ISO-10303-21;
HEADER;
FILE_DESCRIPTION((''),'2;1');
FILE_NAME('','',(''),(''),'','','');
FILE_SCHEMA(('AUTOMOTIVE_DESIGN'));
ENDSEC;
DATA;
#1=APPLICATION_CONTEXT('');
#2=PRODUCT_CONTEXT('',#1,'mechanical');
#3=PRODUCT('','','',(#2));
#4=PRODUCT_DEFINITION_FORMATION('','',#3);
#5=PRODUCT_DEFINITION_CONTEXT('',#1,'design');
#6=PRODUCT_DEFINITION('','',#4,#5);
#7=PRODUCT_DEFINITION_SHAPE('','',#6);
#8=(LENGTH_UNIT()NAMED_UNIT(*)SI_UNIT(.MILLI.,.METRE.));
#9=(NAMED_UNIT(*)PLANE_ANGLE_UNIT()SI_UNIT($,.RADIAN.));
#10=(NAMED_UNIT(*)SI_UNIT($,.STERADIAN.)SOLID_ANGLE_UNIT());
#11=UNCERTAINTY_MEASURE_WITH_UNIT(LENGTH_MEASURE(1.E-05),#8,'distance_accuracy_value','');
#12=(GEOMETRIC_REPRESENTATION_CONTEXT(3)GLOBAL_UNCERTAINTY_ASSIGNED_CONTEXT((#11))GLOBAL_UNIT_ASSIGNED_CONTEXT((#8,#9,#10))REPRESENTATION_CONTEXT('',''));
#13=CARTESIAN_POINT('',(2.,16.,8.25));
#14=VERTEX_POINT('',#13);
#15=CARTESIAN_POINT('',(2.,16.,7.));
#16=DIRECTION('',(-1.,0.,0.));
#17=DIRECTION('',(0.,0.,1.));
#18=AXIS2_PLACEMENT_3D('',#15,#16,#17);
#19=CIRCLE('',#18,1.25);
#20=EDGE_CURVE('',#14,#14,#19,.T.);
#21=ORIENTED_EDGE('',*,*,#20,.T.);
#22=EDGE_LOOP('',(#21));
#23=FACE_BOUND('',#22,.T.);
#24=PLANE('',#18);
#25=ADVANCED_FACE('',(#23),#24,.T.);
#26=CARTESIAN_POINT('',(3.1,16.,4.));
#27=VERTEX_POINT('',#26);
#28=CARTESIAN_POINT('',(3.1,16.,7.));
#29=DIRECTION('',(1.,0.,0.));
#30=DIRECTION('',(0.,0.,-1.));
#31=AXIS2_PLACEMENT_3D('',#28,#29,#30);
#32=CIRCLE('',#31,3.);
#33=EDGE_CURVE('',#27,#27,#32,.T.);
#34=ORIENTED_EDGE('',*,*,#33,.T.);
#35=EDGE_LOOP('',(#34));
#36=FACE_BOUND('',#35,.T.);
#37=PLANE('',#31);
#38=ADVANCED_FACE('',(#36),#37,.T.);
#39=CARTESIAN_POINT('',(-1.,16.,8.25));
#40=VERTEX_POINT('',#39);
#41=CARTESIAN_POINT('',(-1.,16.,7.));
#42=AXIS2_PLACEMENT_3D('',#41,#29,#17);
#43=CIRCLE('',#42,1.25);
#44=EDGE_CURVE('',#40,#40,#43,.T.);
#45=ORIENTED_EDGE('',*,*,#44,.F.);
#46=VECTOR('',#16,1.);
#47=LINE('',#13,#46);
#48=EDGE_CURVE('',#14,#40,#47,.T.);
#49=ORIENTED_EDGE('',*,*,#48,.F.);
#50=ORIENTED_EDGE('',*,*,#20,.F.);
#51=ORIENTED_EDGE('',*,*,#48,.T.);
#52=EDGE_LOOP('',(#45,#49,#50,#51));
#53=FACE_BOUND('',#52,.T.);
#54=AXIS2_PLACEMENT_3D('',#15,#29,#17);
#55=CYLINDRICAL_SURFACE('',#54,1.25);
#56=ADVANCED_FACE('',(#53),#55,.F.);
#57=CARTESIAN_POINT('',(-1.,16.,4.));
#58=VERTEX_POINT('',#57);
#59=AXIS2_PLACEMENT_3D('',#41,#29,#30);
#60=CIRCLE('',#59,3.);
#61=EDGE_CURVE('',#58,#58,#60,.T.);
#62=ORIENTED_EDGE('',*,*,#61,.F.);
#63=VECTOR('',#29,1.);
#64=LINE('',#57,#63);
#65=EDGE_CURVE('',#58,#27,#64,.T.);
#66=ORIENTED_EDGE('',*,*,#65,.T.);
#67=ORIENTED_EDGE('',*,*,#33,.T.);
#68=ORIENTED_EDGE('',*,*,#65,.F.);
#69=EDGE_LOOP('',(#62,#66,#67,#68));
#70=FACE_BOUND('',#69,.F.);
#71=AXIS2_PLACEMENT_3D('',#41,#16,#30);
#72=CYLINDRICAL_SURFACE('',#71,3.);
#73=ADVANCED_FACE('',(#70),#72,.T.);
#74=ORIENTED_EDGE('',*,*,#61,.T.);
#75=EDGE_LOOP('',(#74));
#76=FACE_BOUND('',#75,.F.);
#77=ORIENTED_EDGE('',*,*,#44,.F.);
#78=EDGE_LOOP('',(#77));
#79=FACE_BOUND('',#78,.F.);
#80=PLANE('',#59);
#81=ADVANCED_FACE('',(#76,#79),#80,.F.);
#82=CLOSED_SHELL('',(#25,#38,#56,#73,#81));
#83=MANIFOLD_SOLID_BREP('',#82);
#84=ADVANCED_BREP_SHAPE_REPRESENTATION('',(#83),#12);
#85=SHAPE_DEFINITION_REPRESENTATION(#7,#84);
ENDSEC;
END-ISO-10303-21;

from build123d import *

# Parameters (mm, degrees)
CYLINDER073_R     = 1.25
CYLINDER073_DEPTH = 5
CYLINDER074_R     = 3
CYLINDER074_DEPTH = 4.1


with BuildPart() as b_w015:
    # Cylinder073 → Cylinder073 (new body)
    with BuildSketch(Plane(origin=(2, 16, 7), x_dir=(0, 0, 1), z_dir=(-1, 0, 0))):
        Circle(CYLINDER073_R)
    extrude(amount=CYLINDER073_DEPTH)


with BuildPart() as cut037:
    # Cylinder074 → Cylinder074 (new body)
    with BuildSketch(Plane(origin=(-1, 16, 7), x_dir=(0, 0, -1), z_dir=(1, 0, 0))):
        Circle(CYLINDER074_R)
    extrude(amount=CYLINDER074_DEPTH)

    # Cut037: cut B_W015
    add(b_w015.part, mode=Mode.SUBTRACT)


solid = cut037.part
